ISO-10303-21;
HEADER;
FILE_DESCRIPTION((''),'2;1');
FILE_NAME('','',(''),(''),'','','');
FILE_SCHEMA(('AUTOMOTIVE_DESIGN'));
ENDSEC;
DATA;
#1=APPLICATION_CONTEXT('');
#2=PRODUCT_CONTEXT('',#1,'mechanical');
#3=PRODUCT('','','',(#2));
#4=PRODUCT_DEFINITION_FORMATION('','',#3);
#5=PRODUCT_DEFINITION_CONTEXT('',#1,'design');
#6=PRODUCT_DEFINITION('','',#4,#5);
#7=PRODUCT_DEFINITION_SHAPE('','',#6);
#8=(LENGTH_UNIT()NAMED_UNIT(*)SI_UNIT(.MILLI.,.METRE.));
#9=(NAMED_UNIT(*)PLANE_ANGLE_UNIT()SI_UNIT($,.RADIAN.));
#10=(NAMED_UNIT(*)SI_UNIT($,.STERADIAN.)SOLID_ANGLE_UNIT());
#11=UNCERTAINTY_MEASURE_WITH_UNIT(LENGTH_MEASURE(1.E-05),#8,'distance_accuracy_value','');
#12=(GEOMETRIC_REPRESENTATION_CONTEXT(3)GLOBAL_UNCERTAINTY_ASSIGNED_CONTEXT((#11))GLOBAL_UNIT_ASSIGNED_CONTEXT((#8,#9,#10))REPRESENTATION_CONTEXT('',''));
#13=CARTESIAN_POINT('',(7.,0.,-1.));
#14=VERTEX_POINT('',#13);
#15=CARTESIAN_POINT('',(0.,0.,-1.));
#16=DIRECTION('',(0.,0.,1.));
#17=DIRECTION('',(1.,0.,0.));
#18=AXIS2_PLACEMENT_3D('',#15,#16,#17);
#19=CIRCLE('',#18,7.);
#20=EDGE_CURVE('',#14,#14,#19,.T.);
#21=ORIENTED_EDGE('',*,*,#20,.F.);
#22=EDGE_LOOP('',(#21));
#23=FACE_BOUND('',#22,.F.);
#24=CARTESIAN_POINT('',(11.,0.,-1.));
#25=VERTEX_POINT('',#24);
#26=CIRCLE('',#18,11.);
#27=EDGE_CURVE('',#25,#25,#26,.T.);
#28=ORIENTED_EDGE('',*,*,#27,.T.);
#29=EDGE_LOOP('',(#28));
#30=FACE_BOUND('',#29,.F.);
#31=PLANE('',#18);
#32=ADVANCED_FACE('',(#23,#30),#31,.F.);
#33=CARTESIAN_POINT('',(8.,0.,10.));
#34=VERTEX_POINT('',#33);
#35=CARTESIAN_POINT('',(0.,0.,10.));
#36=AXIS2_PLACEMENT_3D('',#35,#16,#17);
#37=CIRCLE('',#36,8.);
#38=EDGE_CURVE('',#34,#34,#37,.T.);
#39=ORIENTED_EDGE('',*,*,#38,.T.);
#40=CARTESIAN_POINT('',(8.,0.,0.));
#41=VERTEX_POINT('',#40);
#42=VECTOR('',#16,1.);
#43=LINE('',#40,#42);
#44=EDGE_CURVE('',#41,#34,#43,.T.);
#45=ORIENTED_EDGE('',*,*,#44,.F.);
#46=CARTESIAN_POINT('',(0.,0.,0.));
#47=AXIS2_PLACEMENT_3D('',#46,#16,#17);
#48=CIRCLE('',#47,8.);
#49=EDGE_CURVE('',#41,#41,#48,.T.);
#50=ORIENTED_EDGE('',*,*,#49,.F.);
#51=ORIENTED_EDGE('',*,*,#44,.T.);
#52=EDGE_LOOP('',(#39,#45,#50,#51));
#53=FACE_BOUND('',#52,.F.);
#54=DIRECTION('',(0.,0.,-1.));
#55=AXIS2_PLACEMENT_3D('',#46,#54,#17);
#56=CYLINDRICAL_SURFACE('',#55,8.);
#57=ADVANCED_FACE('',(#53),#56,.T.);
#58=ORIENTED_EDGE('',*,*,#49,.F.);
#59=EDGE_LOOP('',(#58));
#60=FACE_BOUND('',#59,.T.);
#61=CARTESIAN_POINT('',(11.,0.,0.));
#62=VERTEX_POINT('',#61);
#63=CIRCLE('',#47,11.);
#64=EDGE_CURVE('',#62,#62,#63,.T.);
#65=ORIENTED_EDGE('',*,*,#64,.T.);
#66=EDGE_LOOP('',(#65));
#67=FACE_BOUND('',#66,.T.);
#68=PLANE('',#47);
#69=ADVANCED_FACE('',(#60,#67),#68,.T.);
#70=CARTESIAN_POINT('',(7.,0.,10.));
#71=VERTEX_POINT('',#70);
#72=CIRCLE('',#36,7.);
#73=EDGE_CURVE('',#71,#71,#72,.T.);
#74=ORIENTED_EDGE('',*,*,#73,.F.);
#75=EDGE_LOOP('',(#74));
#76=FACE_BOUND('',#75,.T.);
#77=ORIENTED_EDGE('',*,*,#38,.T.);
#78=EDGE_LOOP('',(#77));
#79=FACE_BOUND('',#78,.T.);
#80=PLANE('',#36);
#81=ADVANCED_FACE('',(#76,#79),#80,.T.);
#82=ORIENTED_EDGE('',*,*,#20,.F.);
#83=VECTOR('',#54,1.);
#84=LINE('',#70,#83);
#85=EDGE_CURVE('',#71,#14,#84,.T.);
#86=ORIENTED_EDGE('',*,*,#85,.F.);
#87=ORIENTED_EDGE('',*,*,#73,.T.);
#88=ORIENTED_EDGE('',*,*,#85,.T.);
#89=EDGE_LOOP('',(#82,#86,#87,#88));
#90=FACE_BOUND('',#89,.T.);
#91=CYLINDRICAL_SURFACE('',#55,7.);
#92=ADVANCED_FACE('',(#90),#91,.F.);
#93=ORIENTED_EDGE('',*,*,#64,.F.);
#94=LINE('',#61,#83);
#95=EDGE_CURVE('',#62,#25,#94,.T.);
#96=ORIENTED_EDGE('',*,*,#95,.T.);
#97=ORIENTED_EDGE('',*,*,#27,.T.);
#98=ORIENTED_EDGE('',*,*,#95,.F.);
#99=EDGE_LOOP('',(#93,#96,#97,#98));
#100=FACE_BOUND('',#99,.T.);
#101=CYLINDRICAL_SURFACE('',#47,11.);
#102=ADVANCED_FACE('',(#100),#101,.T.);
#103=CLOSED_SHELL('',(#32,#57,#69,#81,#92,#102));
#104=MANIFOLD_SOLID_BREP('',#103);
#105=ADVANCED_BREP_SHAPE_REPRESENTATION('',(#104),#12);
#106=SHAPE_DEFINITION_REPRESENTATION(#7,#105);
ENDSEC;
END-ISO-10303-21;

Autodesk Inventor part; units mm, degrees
ref_plane "YZ Plane" through (0, 0, 0) normal (1, 0, 0) x (0, 1, 0)
ref_plane "XZ Plane" through (0, 0, 0) normal (0, 1, 0) x (-1, 0, 0)
ref_plane "XY Plane" through (0, 0, 0) normal (0, 0, 1) x (1, 0, 0)
sketch "スケッチ1" plane through (0, 0, 0) normal (0, 0, 1) x (1, 0, 0)
  circle A0 centre (0, 0) radius 7
  circle A1 centre (0, 0) radius 8
  circle A2 centre (0, 0) radius 11
  dimension "d0" = 14
  dimension "d1" = 16
  dimension "d2" = 22
extrude "押し出し1" add sketch "スケッチ1" against normal blind 1 contours A1 | A2
extrude "押し出し2" add sketch "スケッチ1" along normal blind 10 contours A1
properties part number "オイレスFd14D16L11" material "アセタール樹脂、黒"
